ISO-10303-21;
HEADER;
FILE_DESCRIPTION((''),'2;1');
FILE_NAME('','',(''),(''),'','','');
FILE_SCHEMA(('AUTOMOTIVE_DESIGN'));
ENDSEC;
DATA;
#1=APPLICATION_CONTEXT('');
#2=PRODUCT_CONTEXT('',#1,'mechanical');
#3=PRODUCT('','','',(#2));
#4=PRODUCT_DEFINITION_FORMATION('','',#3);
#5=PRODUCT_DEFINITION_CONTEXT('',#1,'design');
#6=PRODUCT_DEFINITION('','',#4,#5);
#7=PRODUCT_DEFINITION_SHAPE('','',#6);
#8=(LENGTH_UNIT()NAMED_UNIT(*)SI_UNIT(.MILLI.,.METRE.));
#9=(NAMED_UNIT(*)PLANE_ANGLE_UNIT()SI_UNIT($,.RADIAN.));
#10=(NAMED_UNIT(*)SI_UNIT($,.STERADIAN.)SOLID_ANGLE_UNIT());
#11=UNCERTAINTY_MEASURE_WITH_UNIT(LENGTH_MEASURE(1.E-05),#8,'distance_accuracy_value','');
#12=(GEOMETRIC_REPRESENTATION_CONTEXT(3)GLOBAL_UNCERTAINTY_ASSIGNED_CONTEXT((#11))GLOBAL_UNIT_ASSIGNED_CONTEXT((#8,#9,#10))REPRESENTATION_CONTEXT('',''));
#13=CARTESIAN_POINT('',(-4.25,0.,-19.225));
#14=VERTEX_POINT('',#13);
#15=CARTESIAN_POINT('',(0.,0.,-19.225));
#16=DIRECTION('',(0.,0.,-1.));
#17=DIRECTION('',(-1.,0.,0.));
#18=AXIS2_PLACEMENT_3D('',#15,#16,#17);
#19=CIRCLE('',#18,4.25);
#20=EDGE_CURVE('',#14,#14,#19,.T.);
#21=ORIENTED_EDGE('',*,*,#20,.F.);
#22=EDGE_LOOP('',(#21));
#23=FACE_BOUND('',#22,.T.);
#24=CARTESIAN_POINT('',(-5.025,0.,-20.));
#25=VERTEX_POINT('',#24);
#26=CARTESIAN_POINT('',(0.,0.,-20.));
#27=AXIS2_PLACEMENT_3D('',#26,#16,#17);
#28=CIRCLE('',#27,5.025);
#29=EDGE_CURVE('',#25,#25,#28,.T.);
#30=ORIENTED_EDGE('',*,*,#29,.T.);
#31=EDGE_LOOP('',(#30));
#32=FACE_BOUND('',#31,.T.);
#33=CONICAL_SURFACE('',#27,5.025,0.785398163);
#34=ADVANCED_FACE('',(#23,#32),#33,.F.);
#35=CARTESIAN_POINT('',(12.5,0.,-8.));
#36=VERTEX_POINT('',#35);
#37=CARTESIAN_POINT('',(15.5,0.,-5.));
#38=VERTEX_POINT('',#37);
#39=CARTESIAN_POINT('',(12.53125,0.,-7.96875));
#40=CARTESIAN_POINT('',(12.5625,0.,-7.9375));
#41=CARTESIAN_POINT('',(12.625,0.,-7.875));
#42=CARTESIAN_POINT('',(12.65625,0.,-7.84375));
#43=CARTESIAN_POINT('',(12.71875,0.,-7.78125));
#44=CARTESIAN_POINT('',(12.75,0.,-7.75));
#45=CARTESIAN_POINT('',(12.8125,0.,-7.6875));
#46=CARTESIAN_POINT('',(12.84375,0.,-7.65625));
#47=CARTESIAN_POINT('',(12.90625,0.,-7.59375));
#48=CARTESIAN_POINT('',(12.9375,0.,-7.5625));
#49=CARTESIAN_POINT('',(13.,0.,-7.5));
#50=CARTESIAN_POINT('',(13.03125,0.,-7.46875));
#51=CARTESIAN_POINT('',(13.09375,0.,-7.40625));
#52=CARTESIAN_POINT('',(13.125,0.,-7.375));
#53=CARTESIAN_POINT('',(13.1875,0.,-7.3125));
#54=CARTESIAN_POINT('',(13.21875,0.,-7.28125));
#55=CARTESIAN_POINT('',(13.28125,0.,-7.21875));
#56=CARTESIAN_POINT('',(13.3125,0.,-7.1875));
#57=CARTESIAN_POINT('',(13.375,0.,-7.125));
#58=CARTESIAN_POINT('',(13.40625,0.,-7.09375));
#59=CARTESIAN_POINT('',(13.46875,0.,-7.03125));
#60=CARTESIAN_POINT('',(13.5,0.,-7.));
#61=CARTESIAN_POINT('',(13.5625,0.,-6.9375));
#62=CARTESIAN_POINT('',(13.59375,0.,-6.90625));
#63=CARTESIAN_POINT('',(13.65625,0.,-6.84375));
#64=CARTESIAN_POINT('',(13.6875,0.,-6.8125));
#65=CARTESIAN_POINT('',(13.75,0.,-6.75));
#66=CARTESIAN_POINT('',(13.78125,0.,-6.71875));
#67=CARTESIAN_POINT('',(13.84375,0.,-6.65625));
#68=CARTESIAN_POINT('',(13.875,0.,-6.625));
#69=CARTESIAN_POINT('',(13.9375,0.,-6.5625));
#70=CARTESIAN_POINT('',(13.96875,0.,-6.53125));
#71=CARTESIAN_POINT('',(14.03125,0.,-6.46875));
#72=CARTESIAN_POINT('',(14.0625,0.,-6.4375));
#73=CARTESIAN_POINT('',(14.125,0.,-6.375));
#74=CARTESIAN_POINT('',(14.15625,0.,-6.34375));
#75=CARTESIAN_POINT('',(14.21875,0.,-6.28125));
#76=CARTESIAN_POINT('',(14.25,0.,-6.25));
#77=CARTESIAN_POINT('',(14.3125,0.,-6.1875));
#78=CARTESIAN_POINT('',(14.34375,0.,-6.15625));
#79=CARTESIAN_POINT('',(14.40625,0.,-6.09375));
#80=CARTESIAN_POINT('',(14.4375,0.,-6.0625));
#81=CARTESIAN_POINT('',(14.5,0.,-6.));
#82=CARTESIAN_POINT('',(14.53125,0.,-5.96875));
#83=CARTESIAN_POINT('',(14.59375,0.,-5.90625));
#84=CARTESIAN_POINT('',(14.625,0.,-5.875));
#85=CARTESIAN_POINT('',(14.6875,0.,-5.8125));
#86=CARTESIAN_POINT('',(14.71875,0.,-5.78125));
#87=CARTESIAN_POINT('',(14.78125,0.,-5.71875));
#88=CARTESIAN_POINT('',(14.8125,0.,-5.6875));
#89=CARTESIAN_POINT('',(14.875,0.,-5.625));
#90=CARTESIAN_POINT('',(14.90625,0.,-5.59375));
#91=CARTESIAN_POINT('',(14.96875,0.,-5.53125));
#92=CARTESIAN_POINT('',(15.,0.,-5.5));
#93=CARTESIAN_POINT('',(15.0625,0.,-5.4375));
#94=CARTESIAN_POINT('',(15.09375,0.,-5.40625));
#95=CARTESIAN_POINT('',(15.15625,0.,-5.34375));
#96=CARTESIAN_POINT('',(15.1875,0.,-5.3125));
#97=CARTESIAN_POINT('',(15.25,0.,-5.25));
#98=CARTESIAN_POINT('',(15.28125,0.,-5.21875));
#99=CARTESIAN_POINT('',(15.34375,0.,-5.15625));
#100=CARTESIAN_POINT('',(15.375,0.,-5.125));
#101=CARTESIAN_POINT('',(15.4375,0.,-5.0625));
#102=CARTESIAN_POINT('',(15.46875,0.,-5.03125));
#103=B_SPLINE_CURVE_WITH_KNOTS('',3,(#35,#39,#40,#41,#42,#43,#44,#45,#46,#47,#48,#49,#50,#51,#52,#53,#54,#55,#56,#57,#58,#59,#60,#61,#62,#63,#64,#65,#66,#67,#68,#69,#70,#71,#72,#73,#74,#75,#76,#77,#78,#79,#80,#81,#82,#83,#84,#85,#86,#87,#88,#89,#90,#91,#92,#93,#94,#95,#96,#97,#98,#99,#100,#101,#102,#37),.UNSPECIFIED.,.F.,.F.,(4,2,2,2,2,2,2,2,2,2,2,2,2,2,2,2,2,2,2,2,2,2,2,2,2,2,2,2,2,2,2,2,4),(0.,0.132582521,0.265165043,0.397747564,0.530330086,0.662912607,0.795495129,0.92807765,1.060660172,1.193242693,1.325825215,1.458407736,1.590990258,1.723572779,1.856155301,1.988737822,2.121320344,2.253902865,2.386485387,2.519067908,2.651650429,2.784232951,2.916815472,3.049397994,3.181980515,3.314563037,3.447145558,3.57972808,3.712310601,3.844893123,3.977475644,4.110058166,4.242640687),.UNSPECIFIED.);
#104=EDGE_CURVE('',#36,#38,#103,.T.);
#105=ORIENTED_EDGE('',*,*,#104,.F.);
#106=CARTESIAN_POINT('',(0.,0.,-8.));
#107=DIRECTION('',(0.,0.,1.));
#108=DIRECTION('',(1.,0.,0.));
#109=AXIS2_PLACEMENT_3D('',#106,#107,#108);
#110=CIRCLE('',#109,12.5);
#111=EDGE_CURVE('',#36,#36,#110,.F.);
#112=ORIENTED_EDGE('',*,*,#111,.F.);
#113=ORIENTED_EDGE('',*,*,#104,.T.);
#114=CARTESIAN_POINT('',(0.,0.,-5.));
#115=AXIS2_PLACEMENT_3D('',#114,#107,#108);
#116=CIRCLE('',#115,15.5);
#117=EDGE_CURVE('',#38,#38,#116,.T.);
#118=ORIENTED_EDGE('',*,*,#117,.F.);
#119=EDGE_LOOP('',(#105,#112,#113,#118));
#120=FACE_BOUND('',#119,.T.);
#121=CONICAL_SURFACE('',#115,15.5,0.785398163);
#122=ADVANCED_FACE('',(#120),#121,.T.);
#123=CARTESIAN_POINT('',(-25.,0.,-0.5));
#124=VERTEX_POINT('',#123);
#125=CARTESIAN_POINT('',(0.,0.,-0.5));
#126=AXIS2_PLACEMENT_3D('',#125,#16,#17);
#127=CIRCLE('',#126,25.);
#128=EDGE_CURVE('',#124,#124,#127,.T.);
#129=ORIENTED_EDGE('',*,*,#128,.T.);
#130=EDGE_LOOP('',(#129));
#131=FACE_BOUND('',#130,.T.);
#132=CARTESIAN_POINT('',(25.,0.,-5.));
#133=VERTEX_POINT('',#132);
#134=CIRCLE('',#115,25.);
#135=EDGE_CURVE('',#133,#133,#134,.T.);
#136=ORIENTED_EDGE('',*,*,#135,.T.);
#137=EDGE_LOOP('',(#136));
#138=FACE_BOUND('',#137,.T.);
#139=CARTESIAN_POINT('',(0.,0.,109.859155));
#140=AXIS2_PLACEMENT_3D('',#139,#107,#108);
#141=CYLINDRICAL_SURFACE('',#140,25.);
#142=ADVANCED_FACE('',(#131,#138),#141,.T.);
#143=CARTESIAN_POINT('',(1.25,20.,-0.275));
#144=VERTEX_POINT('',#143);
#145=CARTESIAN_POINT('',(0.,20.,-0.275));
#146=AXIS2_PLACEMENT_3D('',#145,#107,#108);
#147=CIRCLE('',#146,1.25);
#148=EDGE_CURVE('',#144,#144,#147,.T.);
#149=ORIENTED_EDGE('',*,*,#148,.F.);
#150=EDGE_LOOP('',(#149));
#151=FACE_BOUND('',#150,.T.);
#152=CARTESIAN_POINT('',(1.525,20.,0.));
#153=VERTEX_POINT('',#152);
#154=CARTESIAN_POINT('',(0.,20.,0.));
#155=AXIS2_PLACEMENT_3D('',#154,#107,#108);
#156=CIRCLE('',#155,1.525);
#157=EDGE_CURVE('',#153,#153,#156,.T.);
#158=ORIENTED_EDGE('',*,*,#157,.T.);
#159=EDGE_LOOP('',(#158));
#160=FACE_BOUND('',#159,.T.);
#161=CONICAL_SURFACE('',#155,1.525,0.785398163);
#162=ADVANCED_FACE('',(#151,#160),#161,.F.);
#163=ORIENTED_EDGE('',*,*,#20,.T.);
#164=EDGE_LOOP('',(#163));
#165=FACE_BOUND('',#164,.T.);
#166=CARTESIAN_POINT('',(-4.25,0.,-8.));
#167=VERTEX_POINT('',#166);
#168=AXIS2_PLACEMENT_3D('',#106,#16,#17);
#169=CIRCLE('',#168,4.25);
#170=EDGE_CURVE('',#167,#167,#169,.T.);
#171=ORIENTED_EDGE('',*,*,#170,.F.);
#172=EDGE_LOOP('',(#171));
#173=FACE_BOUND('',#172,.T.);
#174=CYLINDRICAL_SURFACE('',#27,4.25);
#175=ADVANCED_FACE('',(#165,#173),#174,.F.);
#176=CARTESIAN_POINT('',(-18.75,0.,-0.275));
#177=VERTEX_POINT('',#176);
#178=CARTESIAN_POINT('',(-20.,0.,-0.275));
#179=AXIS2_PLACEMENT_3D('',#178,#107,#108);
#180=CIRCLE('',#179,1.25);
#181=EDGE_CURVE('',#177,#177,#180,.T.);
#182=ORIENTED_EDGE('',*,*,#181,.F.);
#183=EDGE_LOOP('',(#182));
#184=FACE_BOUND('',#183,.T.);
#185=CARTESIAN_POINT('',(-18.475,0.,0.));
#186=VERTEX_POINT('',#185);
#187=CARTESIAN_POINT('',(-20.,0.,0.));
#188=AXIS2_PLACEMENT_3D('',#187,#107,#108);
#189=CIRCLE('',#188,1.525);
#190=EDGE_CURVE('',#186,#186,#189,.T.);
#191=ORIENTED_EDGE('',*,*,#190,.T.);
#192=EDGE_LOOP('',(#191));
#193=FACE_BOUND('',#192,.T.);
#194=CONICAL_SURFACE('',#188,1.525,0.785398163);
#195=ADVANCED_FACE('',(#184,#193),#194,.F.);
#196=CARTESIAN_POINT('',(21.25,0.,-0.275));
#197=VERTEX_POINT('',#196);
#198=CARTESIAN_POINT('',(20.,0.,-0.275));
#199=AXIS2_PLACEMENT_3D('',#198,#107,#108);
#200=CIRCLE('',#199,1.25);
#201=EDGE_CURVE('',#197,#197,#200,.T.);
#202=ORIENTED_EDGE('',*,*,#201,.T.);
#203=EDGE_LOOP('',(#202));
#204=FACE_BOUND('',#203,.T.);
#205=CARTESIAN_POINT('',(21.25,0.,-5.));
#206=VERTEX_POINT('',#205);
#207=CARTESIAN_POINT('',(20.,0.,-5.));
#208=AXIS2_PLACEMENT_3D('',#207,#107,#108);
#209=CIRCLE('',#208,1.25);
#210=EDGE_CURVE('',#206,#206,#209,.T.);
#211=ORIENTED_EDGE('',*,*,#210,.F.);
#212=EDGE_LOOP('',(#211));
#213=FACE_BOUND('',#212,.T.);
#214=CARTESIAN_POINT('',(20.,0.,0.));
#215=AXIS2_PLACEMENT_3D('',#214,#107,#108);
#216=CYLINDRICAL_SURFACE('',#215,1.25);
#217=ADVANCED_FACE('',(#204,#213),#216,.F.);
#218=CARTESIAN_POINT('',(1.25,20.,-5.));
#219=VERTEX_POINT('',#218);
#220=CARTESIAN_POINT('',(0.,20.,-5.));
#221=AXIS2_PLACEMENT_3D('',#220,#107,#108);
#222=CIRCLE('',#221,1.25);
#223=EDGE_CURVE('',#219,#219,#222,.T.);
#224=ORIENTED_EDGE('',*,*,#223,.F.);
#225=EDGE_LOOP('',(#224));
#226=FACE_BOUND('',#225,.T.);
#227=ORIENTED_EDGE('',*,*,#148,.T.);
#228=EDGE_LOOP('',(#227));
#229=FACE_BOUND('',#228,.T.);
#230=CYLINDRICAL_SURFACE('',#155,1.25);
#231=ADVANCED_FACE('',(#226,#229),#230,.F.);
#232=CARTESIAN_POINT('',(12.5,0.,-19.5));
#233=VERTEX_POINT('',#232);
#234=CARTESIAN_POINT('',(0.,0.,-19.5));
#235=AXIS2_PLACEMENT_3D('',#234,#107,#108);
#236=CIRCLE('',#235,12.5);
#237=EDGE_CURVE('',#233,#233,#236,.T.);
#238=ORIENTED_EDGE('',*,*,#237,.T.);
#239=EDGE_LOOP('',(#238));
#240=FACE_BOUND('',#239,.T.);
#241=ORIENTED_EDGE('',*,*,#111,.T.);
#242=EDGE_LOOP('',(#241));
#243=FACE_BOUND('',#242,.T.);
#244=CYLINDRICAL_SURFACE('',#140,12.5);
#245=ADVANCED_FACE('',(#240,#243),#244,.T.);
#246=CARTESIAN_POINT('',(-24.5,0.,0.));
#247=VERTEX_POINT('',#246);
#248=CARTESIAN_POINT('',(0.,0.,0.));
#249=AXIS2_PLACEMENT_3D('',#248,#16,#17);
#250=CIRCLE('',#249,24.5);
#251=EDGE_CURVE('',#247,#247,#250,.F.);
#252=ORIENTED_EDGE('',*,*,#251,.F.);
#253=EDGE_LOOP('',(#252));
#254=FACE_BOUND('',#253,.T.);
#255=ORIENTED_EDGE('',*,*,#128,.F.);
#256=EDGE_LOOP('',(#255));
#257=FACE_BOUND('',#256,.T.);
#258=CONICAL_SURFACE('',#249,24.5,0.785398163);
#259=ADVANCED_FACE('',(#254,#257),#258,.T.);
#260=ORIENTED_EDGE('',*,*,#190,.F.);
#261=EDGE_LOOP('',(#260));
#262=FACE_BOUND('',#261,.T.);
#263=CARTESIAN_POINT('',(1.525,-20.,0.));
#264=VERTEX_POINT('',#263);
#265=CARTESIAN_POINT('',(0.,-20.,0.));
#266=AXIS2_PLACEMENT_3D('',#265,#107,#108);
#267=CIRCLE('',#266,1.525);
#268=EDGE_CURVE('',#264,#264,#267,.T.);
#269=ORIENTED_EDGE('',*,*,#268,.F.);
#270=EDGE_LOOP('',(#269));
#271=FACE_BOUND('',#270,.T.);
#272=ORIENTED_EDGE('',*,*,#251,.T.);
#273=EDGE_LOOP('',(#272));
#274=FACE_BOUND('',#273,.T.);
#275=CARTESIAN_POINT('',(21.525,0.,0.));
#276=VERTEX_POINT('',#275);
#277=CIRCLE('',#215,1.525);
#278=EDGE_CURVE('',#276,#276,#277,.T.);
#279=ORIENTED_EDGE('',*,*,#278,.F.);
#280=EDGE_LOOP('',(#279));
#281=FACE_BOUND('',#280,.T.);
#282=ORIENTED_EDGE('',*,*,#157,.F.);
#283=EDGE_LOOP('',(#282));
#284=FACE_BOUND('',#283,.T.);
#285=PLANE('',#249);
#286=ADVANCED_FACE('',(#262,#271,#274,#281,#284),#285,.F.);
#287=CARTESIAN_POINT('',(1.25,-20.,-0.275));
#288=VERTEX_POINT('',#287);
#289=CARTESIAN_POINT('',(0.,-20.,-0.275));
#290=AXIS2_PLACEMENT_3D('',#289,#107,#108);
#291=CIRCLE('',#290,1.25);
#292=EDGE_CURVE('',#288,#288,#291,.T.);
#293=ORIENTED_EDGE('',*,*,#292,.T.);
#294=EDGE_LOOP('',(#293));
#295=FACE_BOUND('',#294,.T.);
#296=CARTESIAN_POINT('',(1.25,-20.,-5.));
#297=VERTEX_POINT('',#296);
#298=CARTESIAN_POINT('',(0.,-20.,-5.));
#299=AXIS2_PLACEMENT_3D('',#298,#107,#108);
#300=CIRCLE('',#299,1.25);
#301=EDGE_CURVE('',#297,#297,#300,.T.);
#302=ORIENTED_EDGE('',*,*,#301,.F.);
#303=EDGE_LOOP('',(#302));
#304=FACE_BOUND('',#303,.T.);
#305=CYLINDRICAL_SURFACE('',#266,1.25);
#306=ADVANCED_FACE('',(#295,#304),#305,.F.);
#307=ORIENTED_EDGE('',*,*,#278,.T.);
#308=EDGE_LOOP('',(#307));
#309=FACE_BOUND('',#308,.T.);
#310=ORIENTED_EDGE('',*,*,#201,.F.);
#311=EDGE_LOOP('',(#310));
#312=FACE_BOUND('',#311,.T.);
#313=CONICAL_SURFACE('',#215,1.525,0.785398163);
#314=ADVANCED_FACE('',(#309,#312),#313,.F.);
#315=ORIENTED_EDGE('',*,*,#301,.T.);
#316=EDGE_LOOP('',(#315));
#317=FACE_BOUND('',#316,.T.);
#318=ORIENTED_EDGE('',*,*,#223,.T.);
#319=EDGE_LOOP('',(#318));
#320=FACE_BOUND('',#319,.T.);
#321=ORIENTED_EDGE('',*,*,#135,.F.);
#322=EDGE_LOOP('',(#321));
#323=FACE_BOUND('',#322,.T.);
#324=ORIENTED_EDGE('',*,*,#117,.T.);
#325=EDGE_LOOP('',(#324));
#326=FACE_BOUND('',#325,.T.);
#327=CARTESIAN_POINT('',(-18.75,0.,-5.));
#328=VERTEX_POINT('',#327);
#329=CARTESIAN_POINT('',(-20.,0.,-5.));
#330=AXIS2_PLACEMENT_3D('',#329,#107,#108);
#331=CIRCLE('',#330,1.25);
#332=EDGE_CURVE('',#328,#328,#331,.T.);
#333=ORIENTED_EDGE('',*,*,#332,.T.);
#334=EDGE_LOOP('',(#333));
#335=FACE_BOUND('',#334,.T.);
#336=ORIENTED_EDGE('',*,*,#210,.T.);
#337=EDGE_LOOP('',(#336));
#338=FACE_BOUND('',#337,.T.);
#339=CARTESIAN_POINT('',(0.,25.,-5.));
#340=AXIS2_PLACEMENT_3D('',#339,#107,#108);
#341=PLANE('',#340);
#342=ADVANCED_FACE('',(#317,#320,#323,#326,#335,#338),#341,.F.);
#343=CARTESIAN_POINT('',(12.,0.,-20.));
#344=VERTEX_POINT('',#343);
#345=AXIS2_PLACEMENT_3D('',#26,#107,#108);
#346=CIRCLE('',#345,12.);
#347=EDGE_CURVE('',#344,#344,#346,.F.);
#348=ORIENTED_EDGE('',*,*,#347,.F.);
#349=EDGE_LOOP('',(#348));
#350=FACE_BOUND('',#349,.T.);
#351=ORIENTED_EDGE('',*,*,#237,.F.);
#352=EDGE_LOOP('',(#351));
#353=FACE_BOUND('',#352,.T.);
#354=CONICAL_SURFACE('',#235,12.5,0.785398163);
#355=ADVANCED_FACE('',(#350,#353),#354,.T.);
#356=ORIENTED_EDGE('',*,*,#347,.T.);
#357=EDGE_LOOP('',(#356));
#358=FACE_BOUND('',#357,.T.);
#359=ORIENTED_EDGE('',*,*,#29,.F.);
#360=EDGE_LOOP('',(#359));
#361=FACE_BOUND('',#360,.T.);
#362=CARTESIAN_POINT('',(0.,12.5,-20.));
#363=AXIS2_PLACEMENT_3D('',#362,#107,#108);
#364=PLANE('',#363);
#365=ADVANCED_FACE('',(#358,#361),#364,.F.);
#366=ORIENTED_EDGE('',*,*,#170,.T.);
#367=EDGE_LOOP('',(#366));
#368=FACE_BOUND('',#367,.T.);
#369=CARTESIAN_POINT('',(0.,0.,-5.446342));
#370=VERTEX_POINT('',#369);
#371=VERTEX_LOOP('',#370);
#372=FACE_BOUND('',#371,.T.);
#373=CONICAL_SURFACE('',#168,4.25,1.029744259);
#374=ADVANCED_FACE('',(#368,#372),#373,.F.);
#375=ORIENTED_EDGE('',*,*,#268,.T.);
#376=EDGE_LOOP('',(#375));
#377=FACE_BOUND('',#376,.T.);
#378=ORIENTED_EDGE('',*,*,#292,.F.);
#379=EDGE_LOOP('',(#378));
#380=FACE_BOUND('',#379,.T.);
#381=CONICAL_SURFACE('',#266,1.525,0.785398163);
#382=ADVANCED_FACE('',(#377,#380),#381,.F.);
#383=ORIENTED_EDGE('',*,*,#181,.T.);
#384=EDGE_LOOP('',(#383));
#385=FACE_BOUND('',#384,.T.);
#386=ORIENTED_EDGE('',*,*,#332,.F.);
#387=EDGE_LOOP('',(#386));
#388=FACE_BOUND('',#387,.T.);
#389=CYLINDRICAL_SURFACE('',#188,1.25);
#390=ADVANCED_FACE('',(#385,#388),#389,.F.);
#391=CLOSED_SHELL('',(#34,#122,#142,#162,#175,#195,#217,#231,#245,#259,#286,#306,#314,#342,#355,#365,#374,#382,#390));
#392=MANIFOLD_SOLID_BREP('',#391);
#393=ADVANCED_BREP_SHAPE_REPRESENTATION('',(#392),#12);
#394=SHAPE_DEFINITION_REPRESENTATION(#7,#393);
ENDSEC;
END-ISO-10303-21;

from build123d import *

# Parameters (mm, degrees)
HOLE_WIZARD_M10_1_D           = 8.5
HOLE_WIZARD_M10_1_DEPTH       = 12
HOLE_WIZARD_M10_1_CSINK_D     = 10.05
HOLE_WIZARD_M10_1_CSINK_ANGLE = 90
HOLE_WIZARD_M10_1_TIP         = 2.553657631
CHAMFER_1_SIZE                = 3
HOLE_WIZARD_M3_1_D            = 2.5
HOLE_WIZARD_M3_1_DEPTH        = 7.5
HOLE_WIZARD_M3_1_CSINK_D      = 3.05
HOLE_WIZARD_M3_1_CSINK_ANGLE  = 90
HOLE_WIZARD_M3_1_TIP          = 0.751075774
CHAMFER_2_SIZE                = 0.5


with BuildPart() as part:
    # 草图1 → 旋转1 (revolve)
    with BuildSketch(Plane(origin=(0, 0, 0), x_dir=(0, 0, -1), z_dir=(1, 0, 0)), mode=Mode.PRIVATE) as revolve_1_sk:
        Polygon((0, 0), (0, 25), (5, 25), (5, 12.5), (20, 12.5), (20, 0), align=None)
    revolve(revolve_1_sk.sketch.rotate(Axis((0, 0, 109.85915493), (0, 0, -1)), 90), axis=Axis((0, 0, 109.85915493), (0, 0, -1)))

    # M10 螺纹孔1
    with Locations(Plane(origin=(0, 0, -20), x_dir=(-1, 0, 0), z_dir=(0, 0, -1))):
        with Locations((0, 0)):
            CounterSinkHole(HOLE_WIZARD_M10_1_D / 2, HOLE_WIZARD_M10_1_CSINK_D / 2, depth=HOLE_WIZARD_M10_1_DEPTH, counter_sink_angle=HOLE_WIZARD_M10_1_CSINK_ANGLE)
            with Locations((0, 0, -(HOLE_WIZARD_M10_1_DEPTH + HOLE_WIZARD_M10_1_TIP / 2))):  # 118° drill point
                Cone(0, HOLE_WIZARD_M10_1_D / 2, HOLE_WIZARD_M10_1_TIP, mode=Mode.SUBTRACT)

    # 倒角1
    chamfer_1_edges = [part.edges().sort_by_distance(p)[0] for p in [
        (-12.5, 0, -5),
    ]]
    chamfer(chamfer_1_edges, length=CHAMFER_1_SIZE)

    # M3 螺纹孔1
    with Locations(Plane.XY):
        with Locations((-20, 0), (0, 20), (20, 0), (0, -20)):
            CounterSinkHole(HOLE_WIZARD_M3_1_D / 2, HOLE_WIZARD_M3_1_CSINK_D / 2, depth=HOLE_WIZARD_M3_1_DEPTH, counter_sink_angle=HOLE_WIZARD_M3_1_CSINK_ANGLE)
            with Locations((0, 0, -(HOLE_WIZARD_M3_1_DEPTH + HOLE_WIZARD_M3_1_TIP / 2))):  # 118° drill point
                Cone(0, HOLE_WIZARD_M3_1_D / 2, HOLE_WIZARD_M3_1_TIP, mode=Mode.SUBTRACT)

    # 倒角2
    chamfer_2_edges = [part.edges().sort_by_distance(p)[0] for p in [
        (-12.5, 0, -20),
        (-25, 0, 0),
    ]]
    chamfer(chamfer_2_edges, length=CHAMFER_2_SIZE)


solid = part.part
